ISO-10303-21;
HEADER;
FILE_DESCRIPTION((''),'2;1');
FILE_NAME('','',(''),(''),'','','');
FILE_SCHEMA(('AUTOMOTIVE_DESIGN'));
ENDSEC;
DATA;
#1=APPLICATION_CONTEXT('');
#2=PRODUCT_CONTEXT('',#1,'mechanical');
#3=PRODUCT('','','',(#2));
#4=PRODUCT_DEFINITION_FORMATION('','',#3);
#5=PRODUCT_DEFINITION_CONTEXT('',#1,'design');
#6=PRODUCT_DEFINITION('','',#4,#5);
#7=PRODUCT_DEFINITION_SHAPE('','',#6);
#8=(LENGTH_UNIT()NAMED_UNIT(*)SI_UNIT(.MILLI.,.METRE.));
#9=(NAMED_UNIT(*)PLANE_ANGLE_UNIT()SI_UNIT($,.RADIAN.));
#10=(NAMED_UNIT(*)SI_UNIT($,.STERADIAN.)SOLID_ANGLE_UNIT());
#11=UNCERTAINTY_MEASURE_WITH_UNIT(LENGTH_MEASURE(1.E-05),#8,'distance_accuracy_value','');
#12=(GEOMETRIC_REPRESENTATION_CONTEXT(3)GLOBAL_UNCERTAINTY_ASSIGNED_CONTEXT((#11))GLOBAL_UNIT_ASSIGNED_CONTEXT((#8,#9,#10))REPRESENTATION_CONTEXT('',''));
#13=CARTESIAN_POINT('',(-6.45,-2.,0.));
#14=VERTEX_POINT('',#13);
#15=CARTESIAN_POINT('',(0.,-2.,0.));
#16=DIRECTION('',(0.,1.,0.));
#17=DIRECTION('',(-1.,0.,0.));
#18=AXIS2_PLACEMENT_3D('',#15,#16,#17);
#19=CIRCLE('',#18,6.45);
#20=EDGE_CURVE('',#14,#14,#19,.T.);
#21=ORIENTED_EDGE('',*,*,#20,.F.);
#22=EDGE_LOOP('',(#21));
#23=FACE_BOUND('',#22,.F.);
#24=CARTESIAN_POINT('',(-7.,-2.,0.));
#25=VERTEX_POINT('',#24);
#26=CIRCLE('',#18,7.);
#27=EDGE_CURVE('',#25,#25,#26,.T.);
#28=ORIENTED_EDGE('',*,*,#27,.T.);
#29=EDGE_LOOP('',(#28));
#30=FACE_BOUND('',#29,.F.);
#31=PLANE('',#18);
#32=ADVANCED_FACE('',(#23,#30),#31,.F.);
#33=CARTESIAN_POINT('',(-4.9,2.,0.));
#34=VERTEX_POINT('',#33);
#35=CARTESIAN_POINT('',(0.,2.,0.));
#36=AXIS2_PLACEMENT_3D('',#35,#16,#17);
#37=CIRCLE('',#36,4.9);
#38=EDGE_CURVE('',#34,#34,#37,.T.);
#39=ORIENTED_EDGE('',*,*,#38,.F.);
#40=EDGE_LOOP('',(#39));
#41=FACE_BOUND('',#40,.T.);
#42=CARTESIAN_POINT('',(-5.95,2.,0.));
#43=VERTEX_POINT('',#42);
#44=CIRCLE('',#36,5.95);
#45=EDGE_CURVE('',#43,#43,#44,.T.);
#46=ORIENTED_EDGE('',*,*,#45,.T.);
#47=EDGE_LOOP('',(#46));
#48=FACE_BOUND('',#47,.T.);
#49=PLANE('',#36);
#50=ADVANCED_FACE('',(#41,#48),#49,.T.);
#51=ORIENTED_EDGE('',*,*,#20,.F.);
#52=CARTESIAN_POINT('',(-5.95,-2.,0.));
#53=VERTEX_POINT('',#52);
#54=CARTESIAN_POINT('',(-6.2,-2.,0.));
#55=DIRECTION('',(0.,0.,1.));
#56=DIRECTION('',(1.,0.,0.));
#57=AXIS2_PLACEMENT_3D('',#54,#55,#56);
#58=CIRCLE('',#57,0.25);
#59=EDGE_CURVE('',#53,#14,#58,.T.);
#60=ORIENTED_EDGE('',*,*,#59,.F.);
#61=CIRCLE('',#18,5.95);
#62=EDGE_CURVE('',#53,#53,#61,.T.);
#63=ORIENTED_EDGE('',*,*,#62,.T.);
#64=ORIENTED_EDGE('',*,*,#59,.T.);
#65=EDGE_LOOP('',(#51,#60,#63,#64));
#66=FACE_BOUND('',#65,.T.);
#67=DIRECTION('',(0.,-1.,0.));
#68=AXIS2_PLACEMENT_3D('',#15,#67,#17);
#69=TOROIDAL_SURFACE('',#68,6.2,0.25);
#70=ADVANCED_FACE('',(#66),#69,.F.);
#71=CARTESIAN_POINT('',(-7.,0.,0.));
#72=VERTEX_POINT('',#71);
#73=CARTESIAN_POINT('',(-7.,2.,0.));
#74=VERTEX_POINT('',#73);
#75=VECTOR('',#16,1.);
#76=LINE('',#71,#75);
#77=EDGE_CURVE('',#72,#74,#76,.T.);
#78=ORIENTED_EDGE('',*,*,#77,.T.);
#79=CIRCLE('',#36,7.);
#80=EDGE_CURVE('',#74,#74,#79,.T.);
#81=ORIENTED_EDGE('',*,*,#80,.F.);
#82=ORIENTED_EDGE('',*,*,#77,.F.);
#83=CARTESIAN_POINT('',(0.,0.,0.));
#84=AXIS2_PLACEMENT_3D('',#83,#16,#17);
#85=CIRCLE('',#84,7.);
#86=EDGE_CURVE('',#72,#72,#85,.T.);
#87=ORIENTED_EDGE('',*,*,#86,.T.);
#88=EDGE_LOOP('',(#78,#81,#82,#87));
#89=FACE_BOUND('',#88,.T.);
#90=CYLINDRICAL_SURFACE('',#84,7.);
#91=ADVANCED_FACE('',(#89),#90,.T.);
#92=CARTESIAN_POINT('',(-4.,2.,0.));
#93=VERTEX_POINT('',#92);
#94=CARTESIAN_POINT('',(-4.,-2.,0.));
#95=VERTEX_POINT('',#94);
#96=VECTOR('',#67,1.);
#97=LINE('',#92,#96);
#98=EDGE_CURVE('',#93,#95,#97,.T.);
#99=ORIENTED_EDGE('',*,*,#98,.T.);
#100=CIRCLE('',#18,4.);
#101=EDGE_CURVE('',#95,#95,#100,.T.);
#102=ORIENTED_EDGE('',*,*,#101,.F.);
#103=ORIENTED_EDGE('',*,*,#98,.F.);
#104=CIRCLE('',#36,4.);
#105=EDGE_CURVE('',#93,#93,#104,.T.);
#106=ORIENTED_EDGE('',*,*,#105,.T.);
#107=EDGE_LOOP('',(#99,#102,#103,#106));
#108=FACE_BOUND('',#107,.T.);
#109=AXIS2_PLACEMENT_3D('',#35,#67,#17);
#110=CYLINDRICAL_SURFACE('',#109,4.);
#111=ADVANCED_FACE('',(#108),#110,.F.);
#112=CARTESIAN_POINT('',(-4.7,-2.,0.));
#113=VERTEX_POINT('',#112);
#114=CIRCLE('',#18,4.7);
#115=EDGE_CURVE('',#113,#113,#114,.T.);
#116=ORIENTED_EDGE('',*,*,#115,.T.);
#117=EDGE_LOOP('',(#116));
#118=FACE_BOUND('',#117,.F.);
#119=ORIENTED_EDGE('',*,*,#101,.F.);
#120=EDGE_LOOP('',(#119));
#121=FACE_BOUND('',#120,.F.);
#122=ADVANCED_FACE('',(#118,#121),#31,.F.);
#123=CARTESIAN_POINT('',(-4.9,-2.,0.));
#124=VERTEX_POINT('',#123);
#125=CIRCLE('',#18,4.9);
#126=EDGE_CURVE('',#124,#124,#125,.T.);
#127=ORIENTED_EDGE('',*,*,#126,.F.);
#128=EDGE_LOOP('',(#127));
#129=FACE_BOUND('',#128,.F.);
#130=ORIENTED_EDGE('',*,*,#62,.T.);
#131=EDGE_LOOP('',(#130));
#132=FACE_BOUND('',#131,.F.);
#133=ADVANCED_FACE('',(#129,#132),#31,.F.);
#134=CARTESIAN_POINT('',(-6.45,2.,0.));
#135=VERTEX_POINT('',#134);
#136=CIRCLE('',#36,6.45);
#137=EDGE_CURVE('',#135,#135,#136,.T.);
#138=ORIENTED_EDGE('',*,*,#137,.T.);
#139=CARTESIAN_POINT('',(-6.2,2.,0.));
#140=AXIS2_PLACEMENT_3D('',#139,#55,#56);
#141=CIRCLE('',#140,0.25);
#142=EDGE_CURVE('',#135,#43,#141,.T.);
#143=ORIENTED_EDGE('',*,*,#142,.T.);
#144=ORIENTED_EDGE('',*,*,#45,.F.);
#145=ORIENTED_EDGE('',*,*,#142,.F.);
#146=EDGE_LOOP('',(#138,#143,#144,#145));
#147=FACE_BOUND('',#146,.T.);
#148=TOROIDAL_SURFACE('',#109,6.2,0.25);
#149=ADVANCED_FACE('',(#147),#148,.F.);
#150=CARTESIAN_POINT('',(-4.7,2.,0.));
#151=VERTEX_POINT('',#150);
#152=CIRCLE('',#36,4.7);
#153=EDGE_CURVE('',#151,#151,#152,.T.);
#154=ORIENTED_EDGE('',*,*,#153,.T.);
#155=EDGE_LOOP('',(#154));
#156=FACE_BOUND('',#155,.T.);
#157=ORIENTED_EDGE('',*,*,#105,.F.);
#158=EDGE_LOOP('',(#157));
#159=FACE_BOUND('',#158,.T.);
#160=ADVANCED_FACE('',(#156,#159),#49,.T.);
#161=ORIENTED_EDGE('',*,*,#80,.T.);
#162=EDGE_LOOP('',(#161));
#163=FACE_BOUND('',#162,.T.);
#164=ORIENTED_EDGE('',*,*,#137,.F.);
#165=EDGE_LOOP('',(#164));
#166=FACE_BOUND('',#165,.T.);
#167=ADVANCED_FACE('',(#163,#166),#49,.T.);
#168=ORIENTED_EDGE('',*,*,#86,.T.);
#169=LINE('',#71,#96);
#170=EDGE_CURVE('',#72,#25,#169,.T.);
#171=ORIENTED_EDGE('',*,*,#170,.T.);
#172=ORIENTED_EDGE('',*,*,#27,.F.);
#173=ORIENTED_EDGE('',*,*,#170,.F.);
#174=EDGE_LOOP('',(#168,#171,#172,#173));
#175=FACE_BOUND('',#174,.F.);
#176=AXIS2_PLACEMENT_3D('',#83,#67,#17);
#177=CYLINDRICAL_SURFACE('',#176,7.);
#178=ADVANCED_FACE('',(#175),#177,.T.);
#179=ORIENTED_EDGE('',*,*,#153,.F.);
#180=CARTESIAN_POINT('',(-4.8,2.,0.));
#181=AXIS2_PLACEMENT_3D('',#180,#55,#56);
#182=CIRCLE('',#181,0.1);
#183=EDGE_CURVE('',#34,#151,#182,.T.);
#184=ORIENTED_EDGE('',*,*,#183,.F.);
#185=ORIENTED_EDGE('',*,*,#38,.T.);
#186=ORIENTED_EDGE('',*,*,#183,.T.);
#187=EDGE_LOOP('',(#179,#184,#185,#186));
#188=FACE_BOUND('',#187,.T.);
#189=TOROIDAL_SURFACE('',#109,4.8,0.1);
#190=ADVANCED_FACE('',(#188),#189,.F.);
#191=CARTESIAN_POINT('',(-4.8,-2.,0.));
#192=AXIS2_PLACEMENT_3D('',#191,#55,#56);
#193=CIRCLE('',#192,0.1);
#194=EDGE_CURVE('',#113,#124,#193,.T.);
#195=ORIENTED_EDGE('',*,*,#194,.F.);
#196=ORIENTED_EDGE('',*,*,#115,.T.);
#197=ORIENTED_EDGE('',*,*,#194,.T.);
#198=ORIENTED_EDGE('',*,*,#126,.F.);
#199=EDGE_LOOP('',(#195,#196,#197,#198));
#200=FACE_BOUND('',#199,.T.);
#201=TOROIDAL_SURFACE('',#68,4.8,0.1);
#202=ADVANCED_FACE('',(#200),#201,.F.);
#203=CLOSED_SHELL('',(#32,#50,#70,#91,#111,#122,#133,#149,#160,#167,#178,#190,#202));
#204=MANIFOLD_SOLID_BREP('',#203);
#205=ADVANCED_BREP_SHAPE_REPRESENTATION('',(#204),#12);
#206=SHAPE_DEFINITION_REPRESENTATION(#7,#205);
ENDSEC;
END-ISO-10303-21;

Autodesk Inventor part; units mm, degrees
ref_plane "YZ Plane" through (0, 0, 0) normal (1, 0, 0) x (0, 1, 0)
ref_plane "XZ Plane" through (0, 0, 0) normal (0, 1, 0) x (-1, 0, 0)
ref_plane "XY Plane" through (0, 0, 0) normal (0, 0, 1) x (1, 0, 0)
sketch "Sketch1" plane through (0, 0, 0) normal (0, 0, 1) x (1, 0, 0)
  line L0 (-7, 2) -> (-4, 2)
  line L1 (-4, 2) -> (-4, 0)
  line L2 (-4, 0) -> (-7, 0)
  line L3 (-7, 0) -> (-7, 2)
  circle A0 centre (-6.2, 2) radius 0.25
  circle A1 centre (-4.8, 2) radius 0.1
  line L4 (0, -3.15) -> (0, 3.15) projected
  line L5 (0, 0) -> (-13.6297, 0) construction
  line L6 (-7, -2) -> (-4, -2)
  line L7 (-4, -2) -> (-4, 0)
  line L8 (-7, 0) -> (-7, -2)
  circle A2 centre (-6.2, -2) radius 0.25
  circle A3 centre (-4.8, -2) radius 0.1
  point P0 (-4.7, 2)
  point P1 (-4.9, 2)
  point P2 (-5.95, 2)
  point P3 (-6.45, 2)
  point P4 (-6.45, -2)
  point P5 (-5.95, -2)
  point P6 (-4.9, -2)
  point P7 (-4.7, -2)
  dimension "d0" = 2
  dimension "d1" = 4
  dimension "d2" = 7
  dimension "d3" = 0.5
  dimension "d4" = 0.2
  dimension "d5" = 0.8
  dimension "d6" = 2.2
revolve "Revolution1" add sketch "Sketch1" angle 360 about axis through (0, -10, 0) along (0, 1, 0) contours L0 L1 L2 L3 A0 A1 | L7 L6 A3 A2 L8 L2
properties part number "lager 8mm - buiten 14 (sven 2 stuks)"
